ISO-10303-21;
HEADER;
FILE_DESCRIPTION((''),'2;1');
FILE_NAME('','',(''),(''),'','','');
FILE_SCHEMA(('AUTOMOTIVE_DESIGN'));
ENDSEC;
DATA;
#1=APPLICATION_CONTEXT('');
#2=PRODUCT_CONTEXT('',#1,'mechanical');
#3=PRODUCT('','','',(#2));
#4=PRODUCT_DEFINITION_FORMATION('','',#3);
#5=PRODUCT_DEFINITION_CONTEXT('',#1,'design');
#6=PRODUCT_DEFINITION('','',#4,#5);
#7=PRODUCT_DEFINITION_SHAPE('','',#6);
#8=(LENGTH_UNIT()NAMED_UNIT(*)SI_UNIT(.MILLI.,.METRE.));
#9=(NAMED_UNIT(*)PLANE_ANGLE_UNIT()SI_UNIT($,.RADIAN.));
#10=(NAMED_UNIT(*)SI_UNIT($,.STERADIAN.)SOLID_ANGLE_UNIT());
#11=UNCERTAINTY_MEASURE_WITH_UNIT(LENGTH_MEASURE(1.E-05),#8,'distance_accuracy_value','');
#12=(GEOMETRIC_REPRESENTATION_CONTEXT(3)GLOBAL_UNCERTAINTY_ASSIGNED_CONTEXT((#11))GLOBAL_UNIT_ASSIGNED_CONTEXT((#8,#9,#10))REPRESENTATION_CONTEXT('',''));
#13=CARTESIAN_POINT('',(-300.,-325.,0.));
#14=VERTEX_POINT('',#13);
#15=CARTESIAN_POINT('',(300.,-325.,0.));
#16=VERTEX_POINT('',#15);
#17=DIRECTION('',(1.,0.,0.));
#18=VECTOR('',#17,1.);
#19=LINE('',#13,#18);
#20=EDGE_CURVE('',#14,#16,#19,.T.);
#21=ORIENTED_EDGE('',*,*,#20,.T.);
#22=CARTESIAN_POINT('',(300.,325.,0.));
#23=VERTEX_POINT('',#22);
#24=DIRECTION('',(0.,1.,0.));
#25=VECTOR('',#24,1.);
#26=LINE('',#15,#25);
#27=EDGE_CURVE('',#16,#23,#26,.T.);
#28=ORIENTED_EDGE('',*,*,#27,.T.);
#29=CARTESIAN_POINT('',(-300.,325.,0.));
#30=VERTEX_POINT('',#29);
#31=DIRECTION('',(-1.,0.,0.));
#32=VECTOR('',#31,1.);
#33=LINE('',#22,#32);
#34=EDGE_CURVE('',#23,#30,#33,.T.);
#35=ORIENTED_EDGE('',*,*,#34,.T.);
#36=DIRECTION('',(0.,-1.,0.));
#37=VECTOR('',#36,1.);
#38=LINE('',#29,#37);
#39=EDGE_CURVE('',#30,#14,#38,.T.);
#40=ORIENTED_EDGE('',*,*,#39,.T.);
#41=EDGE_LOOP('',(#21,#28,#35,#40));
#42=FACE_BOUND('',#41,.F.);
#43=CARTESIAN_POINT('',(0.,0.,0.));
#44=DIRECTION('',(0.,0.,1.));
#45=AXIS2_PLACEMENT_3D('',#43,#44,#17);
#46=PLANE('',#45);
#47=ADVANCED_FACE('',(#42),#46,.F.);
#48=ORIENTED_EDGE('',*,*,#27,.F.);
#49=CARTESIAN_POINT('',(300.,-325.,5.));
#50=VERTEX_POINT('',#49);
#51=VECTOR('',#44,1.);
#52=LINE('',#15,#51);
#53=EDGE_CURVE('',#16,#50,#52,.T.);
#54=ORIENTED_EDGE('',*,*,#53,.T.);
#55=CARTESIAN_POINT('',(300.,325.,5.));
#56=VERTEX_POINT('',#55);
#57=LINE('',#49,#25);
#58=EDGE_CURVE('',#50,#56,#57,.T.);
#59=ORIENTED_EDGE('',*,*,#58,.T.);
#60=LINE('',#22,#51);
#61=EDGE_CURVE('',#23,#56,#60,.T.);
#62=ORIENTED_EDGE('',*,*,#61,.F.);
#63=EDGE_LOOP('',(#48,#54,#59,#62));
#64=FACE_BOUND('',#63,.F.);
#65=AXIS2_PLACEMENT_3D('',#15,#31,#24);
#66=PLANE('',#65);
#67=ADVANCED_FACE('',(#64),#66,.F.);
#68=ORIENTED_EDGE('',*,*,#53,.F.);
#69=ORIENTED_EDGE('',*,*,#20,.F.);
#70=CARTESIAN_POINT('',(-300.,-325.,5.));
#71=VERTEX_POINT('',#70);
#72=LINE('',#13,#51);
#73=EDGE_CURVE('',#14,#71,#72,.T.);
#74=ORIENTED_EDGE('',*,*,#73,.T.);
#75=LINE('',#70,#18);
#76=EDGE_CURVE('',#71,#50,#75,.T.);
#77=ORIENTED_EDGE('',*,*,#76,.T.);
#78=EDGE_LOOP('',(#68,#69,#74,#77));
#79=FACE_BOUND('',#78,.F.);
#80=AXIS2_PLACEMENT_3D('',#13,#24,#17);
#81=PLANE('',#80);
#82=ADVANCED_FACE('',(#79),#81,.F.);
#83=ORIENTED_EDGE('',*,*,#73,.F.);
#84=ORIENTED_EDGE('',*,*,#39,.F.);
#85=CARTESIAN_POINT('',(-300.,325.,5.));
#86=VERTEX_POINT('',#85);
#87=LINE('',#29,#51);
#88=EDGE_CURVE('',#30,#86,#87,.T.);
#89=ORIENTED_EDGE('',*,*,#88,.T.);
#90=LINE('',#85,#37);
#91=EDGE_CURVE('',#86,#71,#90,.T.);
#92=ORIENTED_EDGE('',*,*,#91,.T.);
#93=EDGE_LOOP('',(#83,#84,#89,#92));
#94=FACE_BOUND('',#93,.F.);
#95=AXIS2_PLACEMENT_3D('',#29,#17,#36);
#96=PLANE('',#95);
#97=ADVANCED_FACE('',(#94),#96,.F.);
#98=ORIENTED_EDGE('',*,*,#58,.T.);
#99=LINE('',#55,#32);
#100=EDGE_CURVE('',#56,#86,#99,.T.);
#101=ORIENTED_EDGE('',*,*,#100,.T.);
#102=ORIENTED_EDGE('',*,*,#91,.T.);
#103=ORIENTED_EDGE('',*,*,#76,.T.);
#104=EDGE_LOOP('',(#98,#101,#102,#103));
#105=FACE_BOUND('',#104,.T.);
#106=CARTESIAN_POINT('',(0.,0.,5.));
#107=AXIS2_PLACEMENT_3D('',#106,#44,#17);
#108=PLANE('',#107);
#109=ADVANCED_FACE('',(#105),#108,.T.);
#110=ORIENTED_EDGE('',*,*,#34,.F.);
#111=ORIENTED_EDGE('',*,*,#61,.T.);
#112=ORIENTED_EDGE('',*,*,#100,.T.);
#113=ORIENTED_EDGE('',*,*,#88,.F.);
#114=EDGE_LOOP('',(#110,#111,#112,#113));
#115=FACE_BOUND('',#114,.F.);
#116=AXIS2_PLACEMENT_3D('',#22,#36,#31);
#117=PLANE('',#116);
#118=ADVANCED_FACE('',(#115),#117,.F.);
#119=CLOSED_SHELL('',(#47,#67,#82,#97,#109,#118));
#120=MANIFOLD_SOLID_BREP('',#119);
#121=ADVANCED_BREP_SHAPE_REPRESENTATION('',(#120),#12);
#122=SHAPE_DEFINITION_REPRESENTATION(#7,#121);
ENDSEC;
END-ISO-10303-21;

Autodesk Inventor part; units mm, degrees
ref_plane "YZ Plane" through (0, 0, 0) normal (1, 0, 0) x (0, 1, 0)
ref_plane "XZ Plane" through (0, 0, 0) normal (0, 1, 0) x (-1, 0, 0)
ref_plane "XY Plane" through (0, 0, 0) normal (0, 0, 1) x (1, 0, 0)
sketch "Sketch1" plane through (0, 0, 0) normal (0, 0, 1) x (1, 0, 0)
  line L0 (-300, -325) -> (300, -325)
  line L1 (300, -325) -> (300, 325)
  line L2 (300, 325) -> (-300, 325)
  line L3 (-300, 325) -> (-300, -325)
  line L4 (-300, -325) -> (300, 325) construction
  line L5 (300, -325) -> (-300, 325) construction
  point P0 (0, 0)
  dimension "d0" = 600
  dimension "d1" = 650
extrude "Extrusion1" add sketch "Sketch1" along normal blind 5
properties part number "Foam Sheet Side" material "PVC-Piping"
